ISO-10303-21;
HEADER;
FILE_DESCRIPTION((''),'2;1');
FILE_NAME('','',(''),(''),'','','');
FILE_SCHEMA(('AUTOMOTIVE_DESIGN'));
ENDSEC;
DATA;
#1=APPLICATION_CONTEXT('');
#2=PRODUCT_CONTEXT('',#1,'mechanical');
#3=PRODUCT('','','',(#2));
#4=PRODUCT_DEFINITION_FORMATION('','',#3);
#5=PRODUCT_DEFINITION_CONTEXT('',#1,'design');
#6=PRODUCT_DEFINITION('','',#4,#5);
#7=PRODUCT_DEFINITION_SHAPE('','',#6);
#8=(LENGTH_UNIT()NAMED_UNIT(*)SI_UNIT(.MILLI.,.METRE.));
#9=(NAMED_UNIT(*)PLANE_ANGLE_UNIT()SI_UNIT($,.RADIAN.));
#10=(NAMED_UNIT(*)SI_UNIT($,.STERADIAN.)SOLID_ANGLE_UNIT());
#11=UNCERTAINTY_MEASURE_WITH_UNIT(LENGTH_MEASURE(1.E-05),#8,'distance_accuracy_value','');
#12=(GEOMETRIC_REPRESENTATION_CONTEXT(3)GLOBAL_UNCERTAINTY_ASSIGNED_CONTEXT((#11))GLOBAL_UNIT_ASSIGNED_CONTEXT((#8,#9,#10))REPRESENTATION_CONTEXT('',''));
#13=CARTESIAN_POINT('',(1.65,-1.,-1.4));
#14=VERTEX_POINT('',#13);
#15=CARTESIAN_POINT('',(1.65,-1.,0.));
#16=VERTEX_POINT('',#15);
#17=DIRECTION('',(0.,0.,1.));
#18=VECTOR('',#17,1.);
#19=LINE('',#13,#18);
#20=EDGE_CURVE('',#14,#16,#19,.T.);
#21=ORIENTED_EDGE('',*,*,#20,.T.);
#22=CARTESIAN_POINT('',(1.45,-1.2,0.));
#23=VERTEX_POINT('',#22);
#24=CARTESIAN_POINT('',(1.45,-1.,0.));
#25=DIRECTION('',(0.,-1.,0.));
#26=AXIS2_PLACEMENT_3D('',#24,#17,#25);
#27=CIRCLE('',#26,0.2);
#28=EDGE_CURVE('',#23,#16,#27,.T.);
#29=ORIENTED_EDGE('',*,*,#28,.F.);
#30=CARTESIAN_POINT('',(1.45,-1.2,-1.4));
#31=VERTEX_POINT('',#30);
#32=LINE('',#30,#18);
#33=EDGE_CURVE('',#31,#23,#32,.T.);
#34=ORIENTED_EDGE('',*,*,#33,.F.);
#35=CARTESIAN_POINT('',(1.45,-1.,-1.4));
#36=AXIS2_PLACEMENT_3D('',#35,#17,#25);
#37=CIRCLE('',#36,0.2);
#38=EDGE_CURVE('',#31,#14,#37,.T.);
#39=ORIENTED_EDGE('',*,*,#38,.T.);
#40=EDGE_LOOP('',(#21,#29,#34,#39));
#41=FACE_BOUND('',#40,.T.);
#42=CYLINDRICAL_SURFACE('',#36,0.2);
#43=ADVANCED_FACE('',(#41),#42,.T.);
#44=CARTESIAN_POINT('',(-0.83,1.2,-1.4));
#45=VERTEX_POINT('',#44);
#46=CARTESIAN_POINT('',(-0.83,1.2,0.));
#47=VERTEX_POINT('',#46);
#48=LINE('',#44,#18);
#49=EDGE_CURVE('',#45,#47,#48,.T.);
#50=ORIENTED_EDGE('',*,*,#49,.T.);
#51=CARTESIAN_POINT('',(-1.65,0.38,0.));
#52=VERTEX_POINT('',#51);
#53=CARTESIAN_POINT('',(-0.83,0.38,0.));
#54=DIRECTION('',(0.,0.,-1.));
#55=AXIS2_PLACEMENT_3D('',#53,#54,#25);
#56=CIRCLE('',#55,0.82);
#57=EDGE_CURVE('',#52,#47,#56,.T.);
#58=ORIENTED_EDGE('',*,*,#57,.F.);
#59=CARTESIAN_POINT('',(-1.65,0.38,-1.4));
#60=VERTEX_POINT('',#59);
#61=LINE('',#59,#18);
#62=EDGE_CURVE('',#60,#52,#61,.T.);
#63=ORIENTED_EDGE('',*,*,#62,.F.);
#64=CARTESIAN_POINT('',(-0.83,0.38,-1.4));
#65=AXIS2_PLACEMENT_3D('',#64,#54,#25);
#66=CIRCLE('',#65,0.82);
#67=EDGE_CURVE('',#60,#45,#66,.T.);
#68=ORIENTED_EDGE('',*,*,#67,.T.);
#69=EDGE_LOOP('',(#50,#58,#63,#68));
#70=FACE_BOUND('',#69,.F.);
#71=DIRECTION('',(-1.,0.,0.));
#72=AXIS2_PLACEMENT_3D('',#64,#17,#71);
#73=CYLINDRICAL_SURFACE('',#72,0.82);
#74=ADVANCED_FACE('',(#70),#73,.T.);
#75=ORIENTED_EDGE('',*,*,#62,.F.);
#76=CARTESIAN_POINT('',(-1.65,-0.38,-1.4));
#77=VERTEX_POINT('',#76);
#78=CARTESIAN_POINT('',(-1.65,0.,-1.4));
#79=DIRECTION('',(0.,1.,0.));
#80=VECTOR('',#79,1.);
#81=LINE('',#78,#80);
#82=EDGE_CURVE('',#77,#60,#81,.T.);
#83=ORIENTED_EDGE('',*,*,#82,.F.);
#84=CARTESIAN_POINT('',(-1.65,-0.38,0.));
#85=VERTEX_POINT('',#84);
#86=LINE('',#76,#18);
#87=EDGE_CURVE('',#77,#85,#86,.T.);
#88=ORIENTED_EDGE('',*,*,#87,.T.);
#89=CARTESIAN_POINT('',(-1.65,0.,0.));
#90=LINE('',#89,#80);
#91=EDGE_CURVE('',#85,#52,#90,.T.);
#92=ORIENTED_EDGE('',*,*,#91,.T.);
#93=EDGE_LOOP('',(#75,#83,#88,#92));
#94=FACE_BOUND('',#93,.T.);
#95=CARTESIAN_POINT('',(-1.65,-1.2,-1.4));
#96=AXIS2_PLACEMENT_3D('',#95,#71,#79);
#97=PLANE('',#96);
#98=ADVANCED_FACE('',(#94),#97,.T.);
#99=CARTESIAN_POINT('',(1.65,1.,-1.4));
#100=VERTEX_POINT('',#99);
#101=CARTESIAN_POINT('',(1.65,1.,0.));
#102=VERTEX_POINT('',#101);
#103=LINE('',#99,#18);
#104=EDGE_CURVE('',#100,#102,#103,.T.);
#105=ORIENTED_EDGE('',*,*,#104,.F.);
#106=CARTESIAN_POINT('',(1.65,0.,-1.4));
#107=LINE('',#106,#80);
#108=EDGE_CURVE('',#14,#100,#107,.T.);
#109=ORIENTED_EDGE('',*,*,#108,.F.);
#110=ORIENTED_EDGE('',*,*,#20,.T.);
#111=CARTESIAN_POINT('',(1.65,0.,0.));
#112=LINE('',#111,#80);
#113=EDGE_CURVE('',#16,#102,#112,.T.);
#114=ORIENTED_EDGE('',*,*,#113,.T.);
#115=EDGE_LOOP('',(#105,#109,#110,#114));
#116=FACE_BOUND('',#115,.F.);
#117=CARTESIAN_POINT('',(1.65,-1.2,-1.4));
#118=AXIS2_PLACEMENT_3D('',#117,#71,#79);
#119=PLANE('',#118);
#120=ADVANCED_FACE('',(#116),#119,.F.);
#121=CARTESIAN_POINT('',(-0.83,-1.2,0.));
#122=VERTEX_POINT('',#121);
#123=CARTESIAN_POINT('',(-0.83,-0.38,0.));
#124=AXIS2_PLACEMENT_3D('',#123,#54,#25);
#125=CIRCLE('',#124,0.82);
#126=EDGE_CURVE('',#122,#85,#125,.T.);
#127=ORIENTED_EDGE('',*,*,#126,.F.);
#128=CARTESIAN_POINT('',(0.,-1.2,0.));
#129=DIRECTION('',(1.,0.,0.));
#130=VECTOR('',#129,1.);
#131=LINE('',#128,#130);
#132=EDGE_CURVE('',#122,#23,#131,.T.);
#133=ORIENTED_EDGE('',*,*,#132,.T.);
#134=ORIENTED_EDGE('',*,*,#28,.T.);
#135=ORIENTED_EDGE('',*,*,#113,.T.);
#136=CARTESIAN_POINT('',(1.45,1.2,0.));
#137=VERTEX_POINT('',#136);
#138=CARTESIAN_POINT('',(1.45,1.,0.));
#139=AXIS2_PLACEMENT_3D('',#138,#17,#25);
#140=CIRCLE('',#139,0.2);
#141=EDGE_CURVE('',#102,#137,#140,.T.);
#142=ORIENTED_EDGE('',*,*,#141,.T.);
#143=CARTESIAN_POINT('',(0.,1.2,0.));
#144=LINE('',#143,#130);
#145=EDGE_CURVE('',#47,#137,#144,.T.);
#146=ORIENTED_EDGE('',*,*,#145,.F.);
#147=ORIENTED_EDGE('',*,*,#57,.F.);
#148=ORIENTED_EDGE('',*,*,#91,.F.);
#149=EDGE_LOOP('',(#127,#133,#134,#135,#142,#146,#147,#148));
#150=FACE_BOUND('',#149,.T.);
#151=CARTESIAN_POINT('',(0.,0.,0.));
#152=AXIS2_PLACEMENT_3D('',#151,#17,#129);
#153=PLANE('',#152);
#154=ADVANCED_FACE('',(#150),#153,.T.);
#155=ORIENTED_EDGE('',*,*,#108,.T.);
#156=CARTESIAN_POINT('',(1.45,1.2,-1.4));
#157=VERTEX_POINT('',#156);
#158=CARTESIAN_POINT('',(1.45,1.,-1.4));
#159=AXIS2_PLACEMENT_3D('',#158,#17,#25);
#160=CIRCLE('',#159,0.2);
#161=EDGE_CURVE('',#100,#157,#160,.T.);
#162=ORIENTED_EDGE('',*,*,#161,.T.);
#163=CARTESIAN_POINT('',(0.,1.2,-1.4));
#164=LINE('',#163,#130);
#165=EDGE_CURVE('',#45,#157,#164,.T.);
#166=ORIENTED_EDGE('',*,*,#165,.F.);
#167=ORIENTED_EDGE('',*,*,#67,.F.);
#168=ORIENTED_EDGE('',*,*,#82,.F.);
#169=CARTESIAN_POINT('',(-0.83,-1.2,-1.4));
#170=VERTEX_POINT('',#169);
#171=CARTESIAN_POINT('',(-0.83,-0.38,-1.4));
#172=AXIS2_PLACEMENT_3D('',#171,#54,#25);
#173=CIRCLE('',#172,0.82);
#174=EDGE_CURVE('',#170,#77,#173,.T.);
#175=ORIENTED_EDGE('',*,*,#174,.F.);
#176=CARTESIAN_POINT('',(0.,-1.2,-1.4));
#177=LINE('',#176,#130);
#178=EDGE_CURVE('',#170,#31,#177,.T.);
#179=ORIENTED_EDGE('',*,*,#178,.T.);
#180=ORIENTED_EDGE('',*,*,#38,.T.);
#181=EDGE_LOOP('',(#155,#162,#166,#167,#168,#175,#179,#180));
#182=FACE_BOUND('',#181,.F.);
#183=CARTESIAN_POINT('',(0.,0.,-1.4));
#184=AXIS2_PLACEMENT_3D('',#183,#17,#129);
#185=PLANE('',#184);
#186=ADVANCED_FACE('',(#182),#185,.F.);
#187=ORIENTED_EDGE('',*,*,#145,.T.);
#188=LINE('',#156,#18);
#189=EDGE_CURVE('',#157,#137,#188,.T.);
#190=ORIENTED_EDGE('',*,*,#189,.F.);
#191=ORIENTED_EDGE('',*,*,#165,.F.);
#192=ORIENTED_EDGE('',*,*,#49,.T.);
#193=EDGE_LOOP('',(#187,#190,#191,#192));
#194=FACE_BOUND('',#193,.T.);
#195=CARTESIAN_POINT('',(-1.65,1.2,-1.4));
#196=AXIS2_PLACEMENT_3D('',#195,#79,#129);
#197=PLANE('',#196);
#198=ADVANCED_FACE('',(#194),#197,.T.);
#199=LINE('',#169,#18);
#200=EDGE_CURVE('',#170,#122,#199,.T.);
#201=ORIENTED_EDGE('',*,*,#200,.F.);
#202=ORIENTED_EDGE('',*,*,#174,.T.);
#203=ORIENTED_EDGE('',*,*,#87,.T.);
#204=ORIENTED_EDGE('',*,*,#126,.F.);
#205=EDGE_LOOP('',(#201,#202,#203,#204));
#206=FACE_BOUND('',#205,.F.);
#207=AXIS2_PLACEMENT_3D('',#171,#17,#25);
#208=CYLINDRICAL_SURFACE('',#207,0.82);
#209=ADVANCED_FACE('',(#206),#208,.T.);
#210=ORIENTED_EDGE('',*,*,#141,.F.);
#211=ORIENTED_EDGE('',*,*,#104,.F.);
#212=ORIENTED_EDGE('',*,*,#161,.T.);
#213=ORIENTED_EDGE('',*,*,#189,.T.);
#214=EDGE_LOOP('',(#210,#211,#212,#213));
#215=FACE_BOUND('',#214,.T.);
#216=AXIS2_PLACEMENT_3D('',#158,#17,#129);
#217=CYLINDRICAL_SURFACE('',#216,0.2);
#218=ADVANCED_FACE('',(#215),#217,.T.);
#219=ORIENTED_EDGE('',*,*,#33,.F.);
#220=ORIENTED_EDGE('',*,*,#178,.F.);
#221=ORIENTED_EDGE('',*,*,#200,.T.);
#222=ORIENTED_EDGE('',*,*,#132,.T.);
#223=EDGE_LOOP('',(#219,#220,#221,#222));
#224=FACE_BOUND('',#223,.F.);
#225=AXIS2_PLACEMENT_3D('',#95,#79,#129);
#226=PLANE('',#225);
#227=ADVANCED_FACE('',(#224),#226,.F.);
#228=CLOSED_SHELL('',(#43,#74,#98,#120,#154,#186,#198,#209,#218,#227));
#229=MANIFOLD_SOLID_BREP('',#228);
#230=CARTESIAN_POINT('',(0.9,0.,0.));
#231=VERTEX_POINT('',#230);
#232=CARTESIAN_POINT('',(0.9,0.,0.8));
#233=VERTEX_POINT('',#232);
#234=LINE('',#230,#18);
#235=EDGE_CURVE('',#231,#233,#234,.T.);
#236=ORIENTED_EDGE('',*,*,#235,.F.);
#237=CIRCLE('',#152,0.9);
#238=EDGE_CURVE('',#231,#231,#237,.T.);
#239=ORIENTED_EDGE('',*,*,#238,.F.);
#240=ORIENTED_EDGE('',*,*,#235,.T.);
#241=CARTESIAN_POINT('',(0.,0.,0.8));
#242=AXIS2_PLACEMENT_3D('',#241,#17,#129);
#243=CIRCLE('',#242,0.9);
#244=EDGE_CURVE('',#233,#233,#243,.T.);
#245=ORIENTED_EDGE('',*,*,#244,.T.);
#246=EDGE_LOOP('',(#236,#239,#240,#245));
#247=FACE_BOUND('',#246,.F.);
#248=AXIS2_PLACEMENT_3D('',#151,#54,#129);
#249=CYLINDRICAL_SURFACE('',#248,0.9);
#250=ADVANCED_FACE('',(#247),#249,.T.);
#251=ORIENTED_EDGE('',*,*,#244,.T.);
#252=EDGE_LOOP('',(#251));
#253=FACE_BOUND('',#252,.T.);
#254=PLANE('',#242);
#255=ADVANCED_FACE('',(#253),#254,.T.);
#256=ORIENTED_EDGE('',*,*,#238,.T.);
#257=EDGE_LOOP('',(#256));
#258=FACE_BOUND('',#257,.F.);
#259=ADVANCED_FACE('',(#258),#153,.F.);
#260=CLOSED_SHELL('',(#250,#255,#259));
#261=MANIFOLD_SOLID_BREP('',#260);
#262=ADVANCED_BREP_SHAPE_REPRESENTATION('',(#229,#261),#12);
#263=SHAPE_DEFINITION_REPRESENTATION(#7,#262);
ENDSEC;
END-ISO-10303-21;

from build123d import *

# Parameters (mm, degrees)
CYLINDER_R     = 0.9
CYLINDER_DEPTH = 0.8
BOX_W          = 3.3
BOX_H          = 2.4
BOX_DEPTH      = 1.4
FILLET_R       = 0.2
FILLET001_R    = 0.82


with BuildPart() as cylinder:
    # Cylinder → Cylinder (new body)
    with BuildSketch(Plane.XY):
        Circle(CYLINDER_R)
    extrude(amount=CYLINDER_DEPTH)


with BuildPart() as fillet001:
    # Box → Box (new body)
    with BuildSketch(Plane(origin=(-1.65, -1.2, -1.4), x_dir=(1, 0, 0), z_dir=(0, 0, 1))):
        with Locations((1.65, 1.2)):
            Rectangle(BOX_W, BOX_H)
    extrude(amount=BOX_DEPTH)

    # Fillet
    fillet_edges = [fillet001.edges().sort_by_distance(p)[0] for p in [
        (1.65, -1.2, -0.7),
        (1.65, 1.2, -0.7),
    ]]
    fillet(fillet_edges, radius=FILLET_R)

    # Fillet001
    fillet001_edges = [fillet001.edges().sort_by_distance(p)[0] for p in [
        (-1.65, 1.2, -0.7),
        (-1.65, -1.2, -0.7),
    ]]
    fillet(fillet001_edges, radius=FILLET001_R)


solid = Compound([cylinder.part, fillet001.part])
